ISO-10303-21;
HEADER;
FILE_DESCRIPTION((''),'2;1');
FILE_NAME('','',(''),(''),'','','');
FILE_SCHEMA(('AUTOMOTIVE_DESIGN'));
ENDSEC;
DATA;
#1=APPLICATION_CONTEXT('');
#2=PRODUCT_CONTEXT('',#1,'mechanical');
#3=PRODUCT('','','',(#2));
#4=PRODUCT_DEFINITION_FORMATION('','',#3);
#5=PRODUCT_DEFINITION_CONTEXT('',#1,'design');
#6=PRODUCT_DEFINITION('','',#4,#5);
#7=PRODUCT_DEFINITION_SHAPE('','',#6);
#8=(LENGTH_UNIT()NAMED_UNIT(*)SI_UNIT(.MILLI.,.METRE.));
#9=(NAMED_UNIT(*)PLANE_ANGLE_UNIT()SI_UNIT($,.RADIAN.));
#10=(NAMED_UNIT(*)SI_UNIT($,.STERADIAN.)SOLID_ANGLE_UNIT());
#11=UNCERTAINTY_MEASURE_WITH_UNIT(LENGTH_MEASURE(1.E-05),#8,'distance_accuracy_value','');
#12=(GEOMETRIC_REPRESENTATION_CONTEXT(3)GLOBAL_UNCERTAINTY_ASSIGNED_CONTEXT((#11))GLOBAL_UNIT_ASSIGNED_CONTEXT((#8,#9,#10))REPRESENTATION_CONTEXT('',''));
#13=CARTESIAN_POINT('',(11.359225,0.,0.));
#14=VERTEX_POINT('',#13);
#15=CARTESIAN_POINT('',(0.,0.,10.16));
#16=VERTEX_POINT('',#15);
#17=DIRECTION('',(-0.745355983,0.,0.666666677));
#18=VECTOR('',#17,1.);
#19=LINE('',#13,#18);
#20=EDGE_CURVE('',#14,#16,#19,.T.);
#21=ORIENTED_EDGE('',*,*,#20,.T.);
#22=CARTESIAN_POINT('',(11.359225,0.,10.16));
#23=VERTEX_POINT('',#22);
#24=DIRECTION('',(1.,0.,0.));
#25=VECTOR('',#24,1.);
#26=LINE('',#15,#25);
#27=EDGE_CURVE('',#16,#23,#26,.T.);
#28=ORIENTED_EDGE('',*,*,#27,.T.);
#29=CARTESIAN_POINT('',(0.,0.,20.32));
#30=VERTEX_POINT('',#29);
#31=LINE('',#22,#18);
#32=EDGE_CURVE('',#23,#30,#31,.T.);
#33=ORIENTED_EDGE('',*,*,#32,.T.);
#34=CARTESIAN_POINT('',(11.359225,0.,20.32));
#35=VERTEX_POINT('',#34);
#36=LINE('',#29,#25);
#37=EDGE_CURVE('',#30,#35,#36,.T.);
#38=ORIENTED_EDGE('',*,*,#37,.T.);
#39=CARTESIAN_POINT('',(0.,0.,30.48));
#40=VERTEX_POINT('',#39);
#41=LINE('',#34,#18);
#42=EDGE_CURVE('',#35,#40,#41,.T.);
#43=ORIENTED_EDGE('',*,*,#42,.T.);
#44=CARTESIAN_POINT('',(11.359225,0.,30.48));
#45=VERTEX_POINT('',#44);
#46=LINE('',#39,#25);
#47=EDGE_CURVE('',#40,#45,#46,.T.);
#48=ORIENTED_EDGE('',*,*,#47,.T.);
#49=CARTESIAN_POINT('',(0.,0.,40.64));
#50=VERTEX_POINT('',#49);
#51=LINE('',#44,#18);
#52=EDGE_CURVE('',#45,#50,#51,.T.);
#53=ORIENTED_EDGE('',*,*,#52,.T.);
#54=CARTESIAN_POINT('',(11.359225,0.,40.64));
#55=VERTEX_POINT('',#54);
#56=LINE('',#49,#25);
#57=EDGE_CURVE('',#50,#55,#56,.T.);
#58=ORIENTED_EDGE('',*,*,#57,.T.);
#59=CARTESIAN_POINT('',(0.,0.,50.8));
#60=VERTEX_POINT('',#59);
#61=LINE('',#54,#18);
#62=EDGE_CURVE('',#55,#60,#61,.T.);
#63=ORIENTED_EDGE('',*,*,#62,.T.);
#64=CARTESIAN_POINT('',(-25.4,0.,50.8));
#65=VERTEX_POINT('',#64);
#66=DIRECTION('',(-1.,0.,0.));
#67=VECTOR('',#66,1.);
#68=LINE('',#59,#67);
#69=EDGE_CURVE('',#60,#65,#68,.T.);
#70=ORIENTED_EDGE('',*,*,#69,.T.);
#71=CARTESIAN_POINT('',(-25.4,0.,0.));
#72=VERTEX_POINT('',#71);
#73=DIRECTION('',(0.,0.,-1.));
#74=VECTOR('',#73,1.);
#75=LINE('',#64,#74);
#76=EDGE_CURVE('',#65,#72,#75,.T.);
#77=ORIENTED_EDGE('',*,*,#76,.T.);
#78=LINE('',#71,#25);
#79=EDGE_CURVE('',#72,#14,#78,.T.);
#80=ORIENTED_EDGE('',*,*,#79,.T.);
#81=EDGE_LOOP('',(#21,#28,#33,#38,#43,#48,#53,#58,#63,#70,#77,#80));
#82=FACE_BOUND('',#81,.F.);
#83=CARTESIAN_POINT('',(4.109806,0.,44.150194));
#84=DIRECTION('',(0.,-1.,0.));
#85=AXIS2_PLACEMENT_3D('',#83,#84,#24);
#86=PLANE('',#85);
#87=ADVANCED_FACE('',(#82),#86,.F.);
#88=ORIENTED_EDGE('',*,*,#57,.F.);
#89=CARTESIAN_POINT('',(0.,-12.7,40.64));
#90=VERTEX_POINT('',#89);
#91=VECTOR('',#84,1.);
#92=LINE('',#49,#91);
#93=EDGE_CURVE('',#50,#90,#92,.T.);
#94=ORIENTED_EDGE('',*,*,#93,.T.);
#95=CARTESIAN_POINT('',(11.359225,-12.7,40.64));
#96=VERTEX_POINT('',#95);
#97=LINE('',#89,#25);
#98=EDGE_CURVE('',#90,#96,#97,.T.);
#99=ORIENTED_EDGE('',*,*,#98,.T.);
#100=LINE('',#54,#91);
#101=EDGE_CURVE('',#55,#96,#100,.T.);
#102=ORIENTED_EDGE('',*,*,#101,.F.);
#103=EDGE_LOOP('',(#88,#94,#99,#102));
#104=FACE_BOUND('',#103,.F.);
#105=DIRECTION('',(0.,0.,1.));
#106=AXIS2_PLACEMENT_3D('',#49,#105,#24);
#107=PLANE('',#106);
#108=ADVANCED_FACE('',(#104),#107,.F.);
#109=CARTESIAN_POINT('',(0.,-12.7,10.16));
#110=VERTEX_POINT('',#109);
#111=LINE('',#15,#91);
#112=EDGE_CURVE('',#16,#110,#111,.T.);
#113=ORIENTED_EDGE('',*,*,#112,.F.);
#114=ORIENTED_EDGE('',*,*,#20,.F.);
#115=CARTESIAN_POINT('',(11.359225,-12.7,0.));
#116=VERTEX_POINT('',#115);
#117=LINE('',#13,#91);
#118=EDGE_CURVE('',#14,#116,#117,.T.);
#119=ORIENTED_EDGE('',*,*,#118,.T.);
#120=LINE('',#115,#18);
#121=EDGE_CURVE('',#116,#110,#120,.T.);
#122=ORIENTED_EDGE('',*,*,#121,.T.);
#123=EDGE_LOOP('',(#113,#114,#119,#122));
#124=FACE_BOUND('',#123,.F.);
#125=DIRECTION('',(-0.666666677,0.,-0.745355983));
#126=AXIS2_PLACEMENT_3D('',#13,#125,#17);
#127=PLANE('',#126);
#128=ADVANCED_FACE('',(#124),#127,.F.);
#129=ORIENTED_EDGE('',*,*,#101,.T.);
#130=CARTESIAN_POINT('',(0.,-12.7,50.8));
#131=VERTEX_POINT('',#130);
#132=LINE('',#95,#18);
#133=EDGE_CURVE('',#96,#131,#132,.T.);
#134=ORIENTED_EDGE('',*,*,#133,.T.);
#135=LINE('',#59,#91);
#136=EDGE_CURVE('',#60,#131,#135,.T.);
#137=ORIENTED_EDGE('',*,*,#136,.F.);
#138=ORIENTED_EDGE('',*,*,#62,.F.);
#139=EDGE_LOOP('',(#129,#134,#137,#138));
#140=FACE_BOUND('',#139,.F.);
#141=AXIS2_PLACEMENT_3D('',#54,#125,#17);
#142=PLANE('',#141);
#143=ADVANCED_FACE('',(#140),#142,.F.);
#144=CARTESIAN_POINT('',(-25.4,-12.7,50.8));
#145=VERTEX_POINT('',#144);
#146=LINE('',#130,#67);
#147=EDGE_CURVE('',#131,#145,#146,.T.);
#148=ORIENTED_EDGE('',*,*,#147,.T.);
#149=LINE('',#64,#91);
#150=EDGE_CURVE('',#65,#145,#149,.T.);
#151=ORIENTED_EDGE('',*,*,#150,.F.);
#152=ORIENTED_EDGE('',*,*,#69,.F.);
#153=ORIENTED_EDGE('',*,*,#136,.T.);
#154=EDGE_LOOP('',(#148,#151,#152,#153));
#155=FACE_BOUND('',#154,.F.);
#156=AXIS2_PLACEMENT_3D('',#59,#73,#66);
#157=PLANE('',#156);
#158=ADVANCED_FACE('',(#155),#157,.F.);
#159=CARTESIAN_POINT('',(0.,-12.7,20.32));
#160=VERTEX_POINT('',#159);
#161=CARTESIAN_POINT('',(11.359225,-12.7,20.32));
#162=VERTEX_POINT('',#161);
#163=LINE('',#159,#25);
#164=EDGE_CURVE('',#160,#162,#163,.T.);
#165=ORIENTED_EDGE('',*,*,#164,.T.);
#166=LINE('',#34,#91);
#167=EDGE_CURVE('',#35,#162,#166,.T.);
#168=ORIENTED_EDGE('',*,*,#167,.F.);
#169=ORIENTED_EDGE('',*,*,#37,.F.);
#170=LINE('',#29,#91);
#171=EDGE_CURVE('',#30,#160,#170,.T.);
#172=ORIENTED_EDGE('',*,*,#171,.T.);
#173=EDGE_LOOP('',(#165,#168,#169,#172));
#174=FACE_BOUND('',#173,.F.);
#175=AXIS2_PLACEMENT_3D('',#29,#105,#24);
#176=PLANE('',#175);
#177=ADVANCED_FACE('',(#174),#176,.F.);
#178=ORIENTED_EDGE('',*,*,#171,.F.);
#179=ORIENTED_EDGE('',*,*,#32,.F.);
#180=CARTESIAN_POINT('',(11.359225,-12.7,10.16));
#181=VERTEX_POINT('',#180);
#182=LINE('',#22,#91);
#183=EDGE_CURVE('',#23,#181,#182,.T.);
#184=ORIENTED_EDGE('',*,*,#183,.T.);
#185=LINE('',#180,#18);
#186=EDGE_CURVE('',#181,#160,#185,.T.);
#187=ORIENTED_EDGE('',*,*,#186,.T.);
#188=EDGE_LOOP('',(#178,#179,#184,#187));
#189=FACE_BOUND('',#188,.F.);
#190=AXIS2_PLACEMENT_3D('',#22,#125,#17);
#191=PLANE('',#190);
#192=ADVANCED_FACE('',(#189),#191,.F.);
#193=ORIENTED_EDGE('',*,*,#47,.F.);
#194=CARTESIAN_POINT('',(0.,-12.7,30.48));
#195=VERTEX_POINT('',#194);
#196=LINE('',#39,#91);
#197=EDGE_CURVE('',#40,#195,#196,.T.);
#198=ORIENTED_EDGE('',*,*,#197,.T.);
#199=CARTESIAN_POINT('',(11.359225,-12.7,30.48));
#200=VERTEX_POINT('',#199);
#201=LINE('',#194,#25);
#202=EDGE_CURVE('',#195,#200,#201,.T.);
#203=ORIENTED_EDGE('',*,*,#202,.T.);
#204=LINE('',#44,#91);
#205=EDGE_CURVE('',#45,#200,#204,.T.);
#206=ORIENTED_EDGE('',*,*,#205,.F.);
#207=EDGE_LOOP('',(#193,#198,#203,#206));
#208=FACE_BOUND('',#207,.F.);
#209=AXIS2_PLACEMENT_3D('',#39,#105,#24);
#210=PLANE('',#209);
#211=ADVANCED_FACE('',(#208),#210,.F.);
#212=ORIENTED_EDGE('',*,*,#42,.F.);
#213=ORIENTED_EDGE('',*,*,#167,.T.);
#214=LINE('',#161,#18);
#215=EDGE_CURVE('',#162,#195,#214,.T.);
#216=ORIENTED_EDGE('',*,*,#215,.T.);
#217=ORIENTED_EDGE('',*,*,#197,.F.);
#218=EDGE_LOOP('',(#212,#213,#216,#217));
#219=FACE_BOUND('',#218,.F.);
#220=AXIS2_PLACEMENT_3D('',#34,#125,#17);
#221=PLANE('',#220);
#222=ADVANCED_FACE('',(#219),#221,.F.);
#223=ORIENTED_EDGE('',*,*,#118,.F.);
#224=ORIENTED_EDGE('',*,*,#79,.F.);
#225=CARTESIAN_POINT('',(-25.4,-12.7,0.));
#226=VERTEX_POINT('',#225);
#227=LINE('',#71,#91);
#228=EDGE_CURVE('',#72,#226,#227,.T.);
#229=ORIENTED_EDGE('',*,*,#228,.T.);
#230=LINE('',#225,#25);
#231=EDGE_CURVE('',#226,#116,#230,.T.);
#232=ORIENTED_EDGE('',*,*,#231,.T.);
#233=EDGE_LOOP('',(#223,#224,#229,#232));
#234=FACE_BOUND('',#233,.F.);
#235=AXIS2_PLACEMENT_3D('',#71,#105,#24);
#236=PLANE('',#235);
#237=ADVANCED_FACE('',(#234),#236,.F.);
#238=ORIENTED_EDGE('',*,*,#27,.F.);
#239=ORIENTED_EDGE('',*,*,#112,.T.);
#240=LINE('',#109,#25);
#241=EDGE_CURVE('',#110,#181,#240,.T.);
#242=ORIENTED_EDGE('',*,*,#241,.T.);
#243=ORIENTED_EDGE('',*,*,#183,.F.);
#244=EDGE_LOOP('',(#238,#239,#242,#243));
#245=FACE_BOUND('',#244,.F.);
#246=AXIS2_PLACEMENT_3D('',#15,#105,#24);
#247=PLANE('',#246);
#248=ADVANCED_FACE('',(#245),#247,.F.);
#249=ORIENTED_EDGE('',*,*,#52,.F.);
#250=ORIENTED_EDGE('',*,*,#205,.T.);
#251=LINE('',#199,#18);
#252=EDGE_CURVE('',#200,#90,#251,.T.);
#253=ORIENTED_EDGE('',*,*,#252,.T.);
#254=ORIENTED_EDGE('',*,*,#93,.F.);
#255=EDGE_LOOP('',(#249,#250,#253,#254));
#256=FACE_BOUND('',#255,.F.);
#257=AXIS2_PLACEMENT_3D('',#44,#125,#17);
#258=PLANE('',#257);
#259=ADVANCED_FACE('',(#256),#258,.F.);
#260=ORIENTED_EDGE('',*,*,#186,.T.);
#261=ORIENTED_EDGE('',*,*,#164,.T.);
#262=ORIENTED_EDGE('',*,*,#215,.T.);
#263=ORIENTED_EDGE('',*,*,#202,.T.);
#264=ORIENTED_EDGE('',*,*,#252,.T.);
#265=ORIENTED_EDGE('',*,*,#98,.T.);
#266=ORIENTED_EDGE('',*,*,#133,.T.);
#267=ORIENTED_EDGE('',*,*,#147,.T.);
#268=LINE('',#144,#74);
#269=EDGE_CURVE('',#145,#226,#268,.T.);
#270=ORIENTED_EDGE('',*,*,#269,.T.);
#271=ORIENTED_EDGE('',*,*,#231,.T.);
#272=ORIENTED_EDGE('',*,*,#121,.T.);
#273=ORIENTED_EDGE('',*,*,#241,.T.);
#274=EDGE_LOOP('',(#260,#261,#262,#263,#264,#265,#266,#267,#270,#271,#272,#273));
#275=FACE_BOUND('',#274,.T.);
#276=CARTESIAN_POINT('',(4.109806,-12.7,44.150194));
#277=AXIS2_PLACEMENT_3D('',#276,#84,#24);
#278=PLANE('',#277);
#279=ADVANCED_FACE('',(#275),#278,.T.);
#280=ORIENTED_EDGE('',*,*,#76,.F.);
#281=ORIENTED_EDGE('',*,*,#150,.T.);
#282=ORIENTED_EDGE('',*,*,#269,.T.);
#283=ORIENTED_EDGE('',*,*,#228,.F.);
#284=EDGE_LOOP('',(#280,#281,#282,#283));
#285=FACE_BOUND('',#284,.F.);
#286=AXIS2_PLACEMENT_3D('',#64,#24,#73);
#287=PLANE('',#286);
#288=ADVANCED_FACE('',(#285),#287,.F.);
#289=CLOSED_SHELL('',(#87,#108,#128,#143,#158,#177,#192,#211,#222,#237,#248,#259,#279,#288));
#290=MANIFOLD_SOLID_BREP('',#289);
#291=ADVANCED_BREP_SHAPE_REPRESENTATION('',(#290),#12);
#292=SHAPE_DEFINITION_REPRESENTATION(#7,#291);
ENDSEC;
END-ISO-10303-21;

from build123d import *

# Parameters (mm, degrees)
F1_DEPTH = 12.7


with BuildPart() as f1:
    # F0 (on Front) → F1 (new body)
    with BuildSketch(Plane.XZ):
        Polygon((11.359225, 40.64), (0, 50.8), (0, 40.64), align=None)
        Polygon((0, 40.64), (0, 50.8), (-25.4, 50.8), (-25.4, 0), (0, 0), (0, 10.16), (0, 20.32), (0, 30.48), align=None)
        Polygon((11.359225, 30.48), (0, 40.64), (0, 30.48), align=None)
        Polygon((11.359225, 20.32), (0, 30.48), (0, 20.32), align=None)
        Polygon((11.359225, 10.16), (0, 20.32), (0, 10.16), align=None)
        Polygon((0, 10.16), (0, 0), (11.359225, 0), align=None)
    extrude(amount=F1_DEPTH)


solid = f1.part
